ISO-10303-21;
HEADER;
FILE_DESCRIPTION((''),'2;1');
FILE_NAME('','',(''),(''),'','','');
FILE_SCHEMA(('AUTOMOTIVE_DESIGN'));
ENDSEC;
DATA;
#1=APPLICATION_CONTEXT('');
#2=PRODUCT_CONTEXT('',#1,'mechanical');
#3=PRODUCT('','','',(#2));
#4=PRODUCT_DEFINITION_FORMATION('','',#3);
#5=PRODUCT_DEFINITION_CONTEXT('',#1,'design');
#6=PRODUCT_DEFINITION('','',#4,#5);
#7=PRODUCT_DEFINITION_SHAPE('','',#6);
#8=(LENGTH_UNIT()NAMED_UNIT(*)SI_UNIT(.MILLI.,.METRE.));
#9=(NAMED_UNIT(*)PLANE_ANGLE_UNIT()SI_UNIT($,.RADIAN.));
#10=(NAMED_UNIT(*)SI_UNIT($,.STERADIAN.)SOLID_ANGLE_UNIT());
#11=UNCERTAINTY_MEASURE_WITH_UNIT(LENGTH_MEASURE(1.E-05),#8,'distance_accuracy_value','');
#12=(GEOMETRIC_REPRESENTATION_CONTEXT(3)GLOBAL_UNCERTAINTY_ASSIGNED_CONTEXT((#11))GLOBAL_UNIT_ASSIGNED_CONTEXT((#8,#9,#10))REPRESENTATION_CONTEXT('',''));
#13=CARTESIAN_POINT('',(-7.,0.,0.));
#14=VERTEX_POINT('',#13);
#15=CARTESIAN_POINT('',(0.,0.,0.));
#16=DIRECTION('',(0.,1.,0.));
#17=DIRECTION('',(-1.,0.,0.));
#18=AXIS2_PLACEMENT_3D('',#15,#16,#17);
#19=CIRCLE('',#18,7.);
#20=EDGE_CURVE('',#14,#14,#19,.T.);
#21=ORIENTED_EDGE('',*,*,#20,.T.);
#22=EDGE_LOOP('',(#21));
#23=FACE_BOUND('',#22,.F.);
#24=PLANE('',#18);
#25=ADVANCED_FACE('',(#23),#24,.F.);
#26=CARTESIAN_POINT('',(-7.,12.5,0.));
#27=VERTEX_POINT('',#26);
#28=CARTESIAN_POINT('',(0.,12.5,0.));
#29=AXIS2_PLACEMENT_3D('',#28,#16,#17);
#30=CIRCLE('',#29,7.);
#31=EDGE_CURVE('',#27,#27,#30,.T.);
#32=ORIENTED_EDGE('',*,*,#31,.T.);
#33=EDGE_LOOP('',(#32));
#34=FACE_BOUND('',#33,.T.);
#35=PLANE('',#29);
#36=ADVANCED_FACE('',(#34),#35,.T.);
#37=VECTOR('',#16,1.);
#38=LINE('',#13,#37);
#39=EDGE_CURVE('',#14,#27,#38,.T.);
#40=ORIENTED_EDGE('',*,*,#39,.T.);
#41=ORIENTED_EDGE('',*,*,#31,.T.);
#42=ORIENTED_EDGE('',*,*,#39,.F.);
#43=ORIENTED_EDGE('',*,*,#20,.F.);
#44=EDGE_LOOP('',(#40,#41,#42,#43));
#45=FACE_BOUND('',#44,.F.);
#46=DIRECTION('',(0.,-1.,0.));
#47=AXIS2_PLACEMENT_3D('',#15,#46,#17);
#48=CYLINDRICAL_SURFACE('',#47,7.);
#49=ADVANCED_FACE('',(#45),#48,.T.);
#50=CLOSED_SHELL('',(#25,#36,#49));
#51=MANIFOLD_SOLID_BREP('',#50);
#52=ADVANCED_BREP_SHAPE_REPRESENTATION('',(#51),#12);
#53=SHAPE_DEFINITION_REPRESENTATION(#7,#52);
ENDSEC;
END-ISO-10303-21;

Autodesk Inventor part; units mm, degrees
ref_plane "YZ Plane" through (0, 0, 0) normal (1, 0, 0) x (0, 1, 0)
ref_plane "XZ Plane" through (0, 0, 0) normal (0, 1, 0) x (-1, 0, 0)
ref_plane "XY Plane" through (0, 0, 0) normal (0, 0, 1) x (1, 0, 0)
sketch "Sketch1" plane through (0, 0, 0) normal (0, 1, 0) x (-1, 0, 0)
  circle A0 centre (0, 0) radius 7
  dimension "d0" = 14
extrude "Extrusion1" add sketch "Sketch1" along normal blind 12.5
properties part number "Motor"
